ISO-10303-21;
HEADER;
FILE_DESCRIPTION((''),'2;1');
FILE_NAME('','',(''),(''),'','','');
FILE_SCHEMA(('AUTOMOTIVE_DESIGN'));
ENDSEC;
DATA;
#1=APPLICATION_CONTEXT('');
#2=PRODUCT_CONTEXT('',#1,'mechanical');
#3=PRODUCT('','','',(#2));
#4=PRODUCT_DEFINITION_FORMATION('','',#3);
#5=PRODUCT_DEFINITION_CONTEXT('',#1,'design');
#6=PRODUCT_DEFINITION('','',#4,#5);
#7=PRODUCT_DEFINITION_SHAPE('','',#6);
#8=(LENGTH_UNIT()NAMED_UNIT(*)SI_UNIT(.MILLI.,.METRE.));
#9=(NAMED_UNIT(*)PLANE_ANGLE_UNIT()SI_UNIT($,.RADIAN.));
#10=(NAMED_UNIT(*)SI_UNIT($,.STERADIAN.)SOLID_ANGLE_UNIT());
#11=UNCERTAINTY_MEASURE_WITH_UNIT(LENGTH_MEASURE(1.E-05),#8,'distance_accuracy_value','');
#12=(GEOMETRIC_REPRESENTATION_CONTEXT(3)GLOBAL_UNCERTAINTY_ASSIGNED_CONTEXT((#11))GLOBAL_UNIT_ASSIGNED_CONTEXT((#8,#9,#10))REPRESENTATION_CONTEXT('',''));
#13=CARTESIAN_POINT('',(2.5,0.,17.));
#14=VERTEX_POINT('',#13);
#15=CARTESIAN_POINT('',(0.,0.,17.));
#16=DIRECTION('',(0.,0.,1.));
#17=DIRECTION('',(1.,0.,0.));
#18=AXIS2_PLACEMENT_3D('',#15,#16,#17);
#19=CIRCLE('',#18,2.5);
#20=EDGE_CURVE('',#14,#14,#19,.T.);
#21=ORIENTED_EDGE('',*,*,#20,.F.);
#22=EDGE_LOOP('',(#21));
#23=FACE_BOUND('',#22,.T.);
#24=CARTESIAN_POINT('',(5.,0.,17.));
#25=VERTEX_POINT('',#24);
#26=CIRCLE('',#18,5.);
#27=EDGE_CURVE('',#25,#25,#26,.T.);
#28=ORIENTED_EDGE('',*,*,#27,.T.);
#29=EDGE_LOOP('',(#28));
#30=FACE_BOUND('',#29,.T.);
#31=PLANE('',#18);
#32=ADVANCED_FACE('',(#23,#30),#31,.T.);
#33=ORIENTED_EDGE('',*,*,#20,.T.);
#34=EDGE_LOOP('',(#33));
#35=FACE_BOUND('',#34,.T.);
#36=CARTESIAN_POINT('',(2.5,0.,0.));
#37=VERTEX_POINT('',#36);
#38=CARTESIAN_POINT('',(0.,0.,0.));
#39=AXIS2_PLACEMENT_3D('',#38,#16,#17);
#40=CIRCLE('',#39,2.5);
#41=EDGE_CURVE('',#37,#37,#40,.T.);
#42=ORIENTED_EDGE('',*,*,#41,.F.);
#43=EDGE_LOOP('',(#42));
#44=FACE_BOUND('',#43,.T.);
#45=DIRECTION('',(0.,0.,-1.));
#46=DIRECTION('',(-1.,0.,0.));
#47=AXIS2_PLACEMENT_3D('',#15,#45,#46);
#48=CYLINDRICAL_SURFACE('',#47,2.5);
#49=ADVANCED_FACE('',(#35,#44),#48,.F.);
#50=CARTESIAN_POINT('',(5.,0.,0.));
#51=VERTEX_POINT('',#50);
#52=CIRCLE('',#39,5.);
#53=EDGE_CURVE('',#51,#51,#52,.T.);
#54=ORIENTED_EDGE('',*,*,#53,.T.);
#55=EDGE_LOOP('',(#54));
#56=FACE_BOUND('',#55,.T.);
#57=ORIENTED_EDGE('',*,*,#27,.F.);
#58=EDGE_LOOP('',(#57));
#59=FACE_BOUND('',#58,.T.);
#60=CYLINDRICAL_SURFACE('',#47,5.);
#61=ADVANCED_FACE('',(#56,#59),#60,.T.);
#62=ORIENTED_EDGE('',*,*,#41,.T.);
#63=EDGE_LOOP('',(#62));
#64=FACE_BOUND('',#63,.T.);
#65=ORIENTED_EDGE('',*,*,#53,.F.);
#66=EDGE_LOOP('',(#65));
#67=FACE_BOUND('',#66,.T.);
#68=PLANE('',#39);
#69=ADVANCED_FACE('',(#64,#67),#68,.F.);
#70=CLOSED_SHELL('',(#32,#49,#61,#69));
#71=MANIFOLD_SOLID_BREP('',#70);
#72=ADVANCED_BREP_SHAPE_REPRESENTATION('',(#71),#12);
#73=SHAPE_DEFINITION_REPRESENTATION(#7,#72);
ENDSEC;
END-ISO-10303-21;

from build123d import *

# Parameters (mm, degrees)
SKETCH_1_R      = 5
SKETCH_1_R_2    = 2.5
EXTRUDE_1_DEPTH = 17


with BuildPart() as part:
    # ｽｹｯﾁ1 → ﾎﾞｽ - 押し出し1 (new body)
    with BuildSketch(Plane.XY):
        Circle(SKETCH_1_R)
        Circle(SKETCH_1_R_2, mode=Mode.SUBTRACT)
    extrude(amount=EXTRUDE_1_DEPTH)


solid = part.part
